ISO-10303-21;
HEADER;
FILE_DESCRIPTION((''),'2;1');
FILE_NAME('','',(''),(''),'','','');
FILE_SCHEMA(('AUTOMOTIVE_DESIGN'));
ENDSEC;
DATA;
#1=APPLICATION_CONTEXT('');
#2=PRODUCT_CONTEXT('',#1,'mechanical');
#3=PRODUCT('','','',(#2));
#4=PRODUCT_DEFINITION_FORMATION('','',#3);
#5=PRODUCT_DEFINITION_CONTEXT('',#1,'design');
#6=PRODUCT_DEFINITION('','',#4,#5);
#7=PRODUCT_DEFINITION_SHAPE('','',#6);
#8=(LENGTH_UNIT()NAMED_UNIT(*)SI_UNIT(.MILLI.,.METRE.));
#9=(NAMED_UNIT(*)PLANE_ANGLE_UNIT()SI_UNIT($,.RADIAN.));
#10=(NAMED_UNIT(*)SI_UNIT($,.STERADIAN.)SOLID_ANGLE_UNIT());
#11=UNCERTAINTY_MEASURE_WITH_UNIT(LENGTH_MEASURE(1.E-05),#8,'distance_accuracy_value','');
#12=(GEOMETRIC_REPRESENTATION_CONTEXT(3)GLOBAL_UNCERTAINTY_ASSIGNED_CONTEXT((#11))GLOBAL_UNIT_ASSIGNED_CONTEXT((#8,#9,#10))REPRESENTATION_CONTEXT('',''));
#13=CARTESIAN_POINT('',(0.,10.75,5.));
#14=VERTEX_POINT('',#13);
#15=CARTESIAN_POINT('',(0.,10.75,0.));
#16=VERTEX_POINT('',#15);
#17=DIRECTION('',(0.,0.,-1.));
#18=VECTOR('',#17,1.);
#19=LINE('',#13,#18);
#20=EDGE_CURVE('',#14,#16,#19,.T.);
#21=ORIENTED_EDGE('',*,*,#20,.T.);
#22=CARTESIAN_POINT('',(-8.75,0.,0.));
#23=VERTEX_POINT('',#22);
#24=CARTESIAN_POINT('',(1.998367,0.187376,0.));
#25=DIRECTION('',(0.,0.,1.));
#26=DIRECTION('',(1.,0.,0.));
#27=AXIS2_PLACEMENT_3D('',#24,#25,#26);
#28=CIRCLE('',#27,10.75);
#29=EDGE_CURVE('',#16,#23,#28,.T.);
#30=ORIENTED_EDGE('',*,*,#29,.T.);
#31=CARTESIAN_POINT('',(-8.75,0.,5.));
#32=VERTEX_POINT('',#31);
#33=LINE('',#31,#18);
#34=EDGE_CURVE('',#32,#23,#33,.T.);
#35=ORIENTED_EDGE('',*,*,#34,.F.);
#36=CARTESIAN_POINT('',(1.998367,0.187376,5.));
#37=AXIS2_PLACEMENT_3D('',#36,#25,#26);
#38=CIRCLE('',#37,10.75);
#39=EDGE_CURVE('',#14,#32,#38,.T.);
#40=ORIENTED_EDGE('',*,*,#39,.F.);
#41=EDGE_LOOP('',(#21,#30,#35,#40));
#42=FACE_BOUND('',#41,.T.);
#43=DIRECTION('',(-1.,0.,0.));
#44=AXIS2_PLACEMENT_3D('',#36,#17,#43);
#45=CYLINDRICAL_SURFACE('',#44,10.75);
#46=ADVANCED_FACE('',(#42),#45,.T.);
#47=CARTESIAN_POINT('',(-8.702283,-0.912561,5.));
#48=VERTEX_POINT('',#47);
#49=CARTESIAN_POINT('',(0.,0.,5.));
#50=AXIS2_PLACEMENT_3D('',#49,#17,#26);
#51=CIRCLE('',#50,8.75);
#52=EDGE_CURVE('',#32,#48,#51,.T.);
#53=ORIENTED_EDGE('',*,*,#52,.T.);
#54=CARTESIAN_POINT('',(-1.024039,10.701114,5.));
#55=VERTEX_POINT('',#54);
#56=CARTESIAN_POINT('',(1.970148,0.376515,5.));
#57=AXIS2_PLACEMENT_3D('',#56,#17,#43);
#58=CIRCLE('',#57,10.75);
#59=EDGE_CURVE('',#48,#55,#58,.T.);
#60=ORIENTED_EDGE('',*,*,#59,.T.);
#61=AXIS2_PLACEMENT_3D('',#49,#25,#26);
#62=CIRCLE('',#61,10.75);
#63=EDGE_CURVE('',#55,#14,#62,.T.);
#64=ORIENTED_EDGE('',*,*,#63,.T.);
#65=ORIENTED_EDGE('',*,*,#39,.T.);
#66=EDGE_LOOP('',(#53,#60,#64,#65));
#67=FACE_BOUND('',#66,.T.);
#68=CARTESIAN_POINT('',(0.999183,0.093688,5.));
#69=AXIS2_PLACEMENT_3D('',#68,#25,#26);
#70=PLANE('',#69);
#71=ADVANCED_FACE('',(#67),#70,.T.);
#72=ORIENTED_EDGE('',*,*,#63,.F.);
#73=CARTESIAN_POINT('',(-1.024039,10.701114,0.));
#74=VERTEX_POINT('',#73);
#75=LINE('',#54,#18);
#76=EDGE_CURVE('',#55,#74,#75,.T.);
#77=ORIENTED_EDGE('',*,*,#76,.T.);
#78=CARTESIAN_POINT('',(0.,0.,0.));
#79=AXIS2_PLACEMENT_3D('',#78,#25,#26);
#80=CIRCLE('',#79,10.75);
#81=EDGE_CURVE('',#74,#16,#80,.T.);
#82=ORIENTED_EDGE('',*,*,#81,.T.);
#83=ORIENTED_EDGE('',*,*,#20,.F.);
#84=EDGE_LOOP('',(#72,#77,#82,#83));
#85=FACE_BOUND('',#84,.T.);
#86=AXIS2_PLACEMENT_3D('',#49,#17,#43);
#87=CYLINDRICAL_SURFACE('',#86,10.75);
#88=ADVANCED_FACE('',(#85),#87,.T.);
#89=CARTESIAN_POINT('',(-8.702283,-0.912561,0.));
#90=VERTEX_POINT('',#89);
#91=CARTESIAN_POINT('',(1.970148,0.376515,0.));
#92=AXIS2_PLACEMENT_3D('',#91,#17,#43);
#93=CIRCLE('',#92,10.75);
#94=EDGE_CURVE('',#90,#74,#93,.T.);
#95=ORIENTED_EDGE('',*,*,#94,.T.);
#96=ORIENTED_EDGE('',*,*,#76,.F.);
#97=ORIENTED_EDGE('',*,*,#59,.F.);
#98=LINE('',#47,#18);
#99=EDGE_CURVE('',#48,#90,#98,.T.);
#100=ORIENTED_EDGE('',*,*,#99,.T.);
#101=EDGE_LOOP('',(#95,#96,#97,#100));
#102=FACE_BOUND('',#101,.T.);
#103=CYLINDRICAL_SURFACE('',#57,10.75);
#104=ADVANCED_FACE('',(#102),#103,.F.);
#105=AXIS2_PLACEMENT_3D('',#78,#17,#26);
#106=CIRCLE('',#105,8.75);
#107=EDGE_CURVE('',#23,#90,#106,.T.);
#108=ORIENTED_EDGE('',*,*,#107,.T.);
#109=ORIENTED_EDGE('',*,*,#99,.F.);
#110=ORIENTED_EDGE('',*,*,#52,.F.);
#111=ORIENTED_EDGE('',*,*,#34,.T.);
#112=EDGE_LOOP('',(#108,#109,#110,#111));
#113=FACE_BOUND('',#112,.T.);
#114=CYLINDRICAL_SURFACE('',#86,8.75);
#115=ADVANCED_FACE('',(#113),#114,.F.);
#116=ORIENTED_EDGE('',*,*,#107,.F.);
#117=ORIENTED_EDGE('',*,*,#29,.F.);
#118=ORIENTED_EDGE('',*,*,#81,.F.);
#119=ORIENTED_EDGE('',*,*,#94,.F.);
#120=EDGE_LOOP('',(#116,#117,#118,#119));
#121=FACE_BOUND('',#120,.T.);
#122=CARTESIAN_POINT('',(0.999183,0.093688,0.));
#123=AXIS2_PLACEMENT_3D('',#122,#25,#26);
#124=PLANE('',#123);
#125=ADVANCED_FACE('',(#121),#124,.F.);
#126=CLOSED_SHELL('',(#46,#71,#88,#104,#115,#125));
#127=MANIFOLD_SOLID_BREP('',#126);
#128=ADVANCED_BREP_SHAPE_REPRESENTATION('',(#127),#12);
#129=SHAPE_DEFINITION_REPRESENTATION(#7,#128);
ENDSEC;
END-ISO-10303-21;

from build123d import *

# Parameters (mm, degrees)
BOSS_EXTRUDE1_DEPTH = 5


with BuildPart() as part:
    # Sketch1 → Boss-Extrude1 (new body)
    with BuildSketch(Plane.XY):
        with BuildLine():
            ThreePointArc((-8.702283154, -0.912561185), (8.738062645, 0.456903932), (-8.75, 0))
            ThreePointArc((-8.75, 0), (-6.338924673, 6.973543338), (0, 10.75))
            ThreePointArc((0, 10.75), (0.512602522, -10.737771587), (-1.024038846, 10.701114168))
            ThreePointArc((-1.024038846, 10.701114168), (-6.997208163, 6.305176572), (-8.702283154, -0.912561185))
        make_face()
    extrude(amount=BOSS_EXTRUDE1_DEPTH)


solid = part.part
